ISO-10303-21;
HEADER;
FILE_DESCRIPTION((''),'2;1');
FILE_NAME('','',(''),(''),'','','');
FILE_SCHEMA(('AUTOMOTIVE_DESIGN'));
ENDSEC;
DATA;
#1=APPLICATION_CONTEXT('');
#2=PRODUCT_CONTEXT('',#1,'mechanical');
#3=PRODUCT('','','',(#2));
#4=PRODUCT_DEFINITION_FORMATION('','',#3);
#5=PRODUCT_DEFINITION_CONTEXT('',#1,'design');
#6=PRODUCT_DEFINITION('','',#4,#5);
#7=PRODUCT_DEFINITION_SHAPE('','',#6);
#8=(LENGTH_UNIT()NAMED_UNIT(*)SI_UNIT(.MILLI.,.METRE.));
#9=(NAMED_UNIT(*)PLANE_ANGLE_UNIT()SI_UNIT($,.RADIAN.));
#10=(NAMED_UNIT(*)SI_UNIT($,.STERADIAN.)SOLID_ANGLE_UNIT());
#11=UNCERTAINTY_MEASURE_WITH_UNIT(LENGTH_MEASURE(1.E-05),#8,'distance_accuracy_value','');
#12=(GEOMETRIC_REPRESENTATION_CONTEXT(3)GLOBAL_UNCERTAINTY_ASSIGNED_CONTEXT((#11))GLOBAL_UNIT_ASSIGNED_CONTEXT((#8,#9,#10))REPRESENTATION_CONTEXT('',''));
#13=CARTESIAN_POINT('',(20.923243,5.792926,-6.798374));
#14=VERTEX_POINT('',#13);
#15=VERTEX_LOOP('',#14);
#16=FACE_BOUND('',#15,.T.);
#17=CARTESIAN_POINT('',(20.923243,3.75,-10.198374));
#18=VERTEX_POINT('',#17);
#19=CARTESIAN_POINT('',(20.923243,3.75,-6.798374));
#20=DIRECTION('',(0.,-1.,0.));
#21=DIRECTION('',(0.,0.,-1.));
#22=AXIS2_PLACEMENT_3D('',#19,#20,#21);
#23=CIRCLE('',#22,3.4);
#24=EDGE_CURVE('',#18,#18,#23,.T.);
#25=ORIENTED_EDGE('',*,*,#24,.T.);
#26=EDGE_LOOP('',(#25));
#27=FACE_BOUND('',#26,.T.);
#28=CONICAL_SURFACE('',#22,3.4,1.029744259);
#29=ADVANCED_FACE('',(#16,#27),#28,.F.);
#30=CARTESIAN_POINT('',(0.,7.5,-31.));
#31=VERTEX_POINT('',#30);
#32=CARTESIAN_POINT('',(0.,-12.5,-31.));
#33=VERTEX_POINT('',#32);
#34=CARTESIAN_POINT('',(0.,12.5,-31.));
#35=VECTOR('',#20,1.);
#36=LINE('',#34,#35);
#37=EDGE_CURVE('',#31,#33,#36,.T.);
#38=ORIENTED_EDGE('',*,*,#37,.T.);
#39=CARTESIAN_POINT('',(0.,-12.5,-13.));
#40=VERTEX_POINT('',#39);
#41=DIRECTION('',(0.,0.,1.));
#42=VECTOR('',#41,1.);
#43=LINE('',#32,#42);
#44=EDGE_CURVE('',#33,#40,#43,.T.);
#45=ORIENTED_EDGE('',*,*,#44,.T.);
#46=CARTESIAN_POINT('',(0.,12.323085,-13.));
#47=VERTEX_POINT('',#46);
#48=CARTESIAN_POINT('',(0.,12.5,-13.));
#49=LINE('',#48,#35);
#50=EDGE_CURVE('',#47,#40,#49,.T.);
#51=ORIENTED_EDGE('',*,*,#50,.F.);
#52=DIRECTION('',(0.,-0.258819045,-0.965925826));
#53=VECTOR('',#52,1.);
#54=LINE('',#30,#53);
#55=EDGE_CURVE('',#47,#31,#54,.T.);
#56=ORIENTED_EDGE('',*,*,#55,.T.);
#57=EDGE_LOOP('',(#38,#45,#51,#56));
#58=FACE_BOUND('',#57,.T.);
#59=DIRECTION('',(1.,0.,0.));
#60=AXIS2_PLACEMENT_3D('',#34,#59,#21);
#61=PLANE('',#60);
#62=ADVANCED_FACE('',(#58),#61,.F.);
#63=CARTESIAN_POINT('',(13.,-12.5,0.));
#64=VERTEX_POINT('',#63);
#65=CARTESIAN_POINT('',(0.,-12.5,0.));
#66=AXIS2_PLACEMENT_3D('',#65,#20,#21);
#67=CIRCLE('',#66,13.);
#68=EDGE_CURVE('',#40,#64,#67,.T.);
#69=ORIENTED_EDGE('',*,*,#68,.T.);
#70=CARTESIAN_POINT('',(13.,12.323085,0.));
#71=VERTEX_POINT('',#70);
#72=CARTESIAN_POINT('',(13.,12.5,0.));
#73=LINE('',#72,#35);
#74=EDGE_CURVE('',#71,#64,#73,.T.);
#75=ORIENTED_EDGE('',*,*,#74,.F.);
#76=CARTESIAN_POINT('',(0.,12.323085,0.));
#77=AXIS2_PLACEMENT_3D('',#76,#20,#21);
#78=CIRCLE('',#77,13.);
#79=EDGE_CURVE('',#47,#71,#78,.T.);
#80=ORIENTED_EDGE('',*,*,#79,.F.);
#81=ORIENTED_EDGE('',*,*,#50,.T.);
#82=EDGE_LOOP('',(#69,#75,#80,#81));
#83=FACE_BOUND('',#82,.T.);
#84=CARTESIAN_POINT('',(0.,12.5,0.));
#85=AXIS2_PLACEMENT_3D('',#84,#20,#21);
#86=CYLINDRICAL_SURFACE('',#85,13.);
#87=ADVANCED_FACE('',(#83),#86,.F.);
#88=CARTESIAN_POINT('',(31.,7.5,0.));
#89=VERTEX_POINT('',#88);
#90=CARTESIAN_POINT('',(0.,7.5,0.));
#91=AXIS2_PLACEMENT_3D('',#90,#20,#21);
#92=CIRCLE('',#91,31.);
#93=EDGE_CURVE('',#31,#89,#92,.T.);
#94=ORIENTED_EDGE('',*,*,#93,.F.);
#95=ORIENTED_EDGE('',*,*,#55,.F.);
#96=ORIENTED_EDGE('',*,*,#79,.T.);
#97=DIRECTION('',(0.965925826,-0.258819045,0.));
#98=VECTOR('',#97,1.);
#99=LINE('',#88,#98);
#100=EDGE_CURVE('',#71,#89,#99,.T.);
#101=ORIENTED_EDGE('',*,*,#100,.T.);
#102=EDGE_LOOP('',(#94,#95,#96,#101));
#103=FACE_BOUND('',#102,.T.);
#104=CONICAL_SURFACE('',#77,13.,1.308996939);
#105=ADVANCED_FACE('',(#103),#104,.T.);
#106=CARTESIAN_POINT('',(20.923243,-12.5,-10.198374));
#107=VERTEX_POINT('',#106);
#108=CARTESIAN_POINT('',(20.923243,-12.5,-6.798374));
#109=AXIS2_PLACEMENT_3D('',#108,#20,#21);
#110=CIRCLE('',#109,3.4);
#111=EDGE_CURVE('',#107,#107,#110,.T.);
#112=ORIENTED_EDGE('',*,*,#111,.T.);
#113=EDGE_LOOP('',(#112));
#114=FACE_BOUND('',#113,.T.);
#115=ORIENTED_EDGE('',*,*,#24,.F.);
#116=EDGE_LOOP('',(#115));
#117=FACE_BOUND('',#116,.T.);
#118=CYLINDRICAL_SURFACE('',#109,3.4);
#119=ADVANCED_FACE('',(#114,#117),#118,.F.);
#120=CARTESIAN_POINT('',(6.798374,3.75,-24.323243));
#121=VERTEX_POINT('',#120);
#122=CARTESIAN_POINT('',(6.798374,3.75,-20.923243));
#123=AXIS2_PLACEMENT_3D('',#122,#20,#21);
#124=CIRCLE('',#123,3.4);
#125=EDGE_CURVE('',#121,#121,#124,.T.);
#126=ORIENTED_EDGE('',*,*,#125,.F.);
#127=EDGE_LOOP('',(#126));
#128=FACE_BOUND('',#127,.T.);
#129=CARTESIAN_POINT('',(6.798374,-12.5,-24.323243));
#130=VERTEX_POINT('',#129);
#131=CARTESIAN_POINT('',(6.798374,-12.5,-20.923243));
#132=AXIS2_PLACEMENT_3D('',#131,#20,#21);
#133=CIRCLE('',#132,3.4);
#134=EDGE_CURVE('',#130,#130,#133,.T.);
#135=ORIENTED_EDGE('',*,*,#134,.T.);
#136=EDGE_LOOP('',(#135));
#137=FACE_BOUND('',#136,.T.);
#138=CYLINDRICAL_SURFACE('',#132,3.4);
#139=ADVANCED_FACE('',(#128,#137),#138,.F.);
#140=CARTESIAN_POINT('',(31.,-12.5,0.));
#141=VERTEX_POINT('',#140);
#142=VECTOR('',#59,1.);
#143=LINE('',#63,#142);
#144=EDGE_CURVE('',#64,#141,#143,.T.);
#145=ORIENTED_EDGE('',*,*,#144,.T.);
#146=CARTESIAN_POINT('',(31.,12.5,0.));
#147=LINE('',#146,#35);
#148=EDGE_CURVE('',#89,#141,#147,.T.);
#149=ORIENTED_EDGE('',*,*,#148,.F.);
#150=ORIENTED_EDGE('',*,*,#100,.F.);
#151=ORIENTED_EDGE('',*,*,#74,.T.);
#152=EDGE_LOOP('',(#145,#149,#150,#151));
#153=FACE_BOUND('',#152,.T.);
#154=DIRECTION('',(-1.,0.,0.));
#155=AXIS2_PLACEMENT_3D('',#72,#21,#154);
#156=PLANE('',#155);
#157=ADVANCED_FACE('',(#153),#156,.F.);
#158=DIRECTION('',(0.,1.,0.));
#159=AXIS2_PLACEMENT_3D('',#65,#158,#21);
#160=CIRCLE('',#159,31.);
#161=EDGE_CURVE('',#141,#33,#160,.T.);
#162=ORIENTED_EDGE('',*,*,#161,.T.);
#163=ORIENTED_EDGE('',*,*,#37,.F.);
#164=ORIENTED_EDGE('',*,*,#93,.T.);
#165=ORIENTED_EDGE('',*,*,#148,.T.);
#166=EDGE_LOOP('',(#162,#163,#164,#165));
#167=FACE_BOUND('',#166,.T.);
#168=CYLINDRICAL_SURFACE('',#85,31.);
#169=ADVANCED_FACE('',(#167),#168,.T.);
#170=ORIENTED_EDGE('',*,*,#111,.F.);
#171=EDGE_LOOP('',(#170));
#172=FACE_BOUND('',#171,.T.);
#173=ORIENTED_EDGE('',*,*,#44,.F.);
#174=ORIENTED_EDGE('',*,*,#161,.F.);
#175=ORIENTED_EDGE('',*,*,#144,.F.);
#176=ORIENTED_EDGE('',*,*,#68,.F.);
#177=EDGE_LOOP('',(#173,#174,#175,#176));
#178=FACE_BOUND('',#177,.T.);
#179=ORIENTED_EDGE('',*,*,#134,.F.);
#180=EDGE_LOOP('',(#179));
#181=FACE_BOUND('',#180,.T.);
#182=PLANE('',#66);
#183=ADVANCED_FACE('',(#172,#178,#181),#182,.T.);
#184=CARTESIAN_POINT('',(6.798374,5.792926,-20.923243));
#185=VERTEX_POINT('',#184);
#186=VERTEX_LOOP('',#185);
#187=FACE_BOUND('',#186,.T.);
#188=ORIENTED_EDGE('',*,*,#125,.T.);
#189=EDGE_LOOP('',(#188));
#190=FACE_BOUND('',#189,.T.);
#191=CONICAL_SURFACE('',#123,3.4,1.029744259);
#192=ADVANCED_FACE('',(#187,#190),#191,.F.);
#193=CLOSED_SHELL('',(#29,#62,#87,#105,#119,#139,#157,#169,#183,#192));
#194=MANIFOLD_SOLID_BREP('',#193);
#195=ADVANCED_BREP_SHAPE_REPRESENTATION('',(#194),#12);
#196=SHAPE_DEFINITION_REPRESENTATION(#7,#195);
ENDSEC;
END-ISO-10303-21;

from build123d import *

# Parameters (mm, degrees)
AUFSATZ_LINEAR_AUSTRAGEN1_DEPTH = 12.5
M8_GEWINDEBOHRUNG1_D            = 6.8
M8_GEWINDEBOHRUNG1_DEPTH        = 16.25
M8_GEWINDEBOHRUNG1_TIP          = 2.042926105


with BuildPart() as part:
    # Skizze1 → Aufsatz-Linear austragen1 (new, symmetric)
    with BuildSketch(Plane(origin=(0, 0, 0), x_dir=(1, 0, 0), z_dir=(0, 1, 0))):
        with BuildLine():
            Line((0, 31), (0, 13))
            ThreePointArc((0, 13), (9.192388155, 9.192388155), (13, 0))
            Line((13, 0), (31, 0))
            ThreePointArc((31, 0), (21.920310217, 21.920310217), (0, 31))
        make_face()
    extrude(amount=AUFSATZ_LINEAR_AUSTRAGEN1_DEPTH, both=True)

    # Schnitt-Austragung1: sweep along a curve in space
    with BuildLine() as schnitt_austragung1_path:
        ThreePointArc((31, 12.5, 0), (21.920310217, 12.5, -21.920310217), (0, 12.5, -31))
    # Skizze2 → Schnitt-Austragung1 (sweep, cut)
    with BuildSketch(Plane.XY):
        Polygon((13, 12.5), (31, 12.5), (31, 7.5), (13, 12.323085464), align=None)
    sweep(path=schnitt_austragung1_path.line, mode=Mode.SUBTRACT)

    # M8 Gewindebohrung1
    with Locations(Plane(origin=(0, -12.5, 0), x_dir=(-1, 0, 0), z_dir=(0, -1, 0))):
        with Locations((-6.798373876, 20.923243358), (-20.923243358, 6.798373876)):
            Hole(M8_GEWINDEBOHRUNG1_D / 2, depth=M8_GEWINDEBOHRUNG1_DEPTH)
            with Locations((0, 0, -(M8_GEWINDEBOHRUNG1_DEPTH + M8_GEWINDEBOHRUNG1_TIP / 2))):  # 118° drill point
                Cone(0, M8_GEWINDEBOHRUNG1_D / 2, M8_GEWINDEBOHRUNG1_TIP, mode=Mode.SUBTRACT)


solid = part.part
